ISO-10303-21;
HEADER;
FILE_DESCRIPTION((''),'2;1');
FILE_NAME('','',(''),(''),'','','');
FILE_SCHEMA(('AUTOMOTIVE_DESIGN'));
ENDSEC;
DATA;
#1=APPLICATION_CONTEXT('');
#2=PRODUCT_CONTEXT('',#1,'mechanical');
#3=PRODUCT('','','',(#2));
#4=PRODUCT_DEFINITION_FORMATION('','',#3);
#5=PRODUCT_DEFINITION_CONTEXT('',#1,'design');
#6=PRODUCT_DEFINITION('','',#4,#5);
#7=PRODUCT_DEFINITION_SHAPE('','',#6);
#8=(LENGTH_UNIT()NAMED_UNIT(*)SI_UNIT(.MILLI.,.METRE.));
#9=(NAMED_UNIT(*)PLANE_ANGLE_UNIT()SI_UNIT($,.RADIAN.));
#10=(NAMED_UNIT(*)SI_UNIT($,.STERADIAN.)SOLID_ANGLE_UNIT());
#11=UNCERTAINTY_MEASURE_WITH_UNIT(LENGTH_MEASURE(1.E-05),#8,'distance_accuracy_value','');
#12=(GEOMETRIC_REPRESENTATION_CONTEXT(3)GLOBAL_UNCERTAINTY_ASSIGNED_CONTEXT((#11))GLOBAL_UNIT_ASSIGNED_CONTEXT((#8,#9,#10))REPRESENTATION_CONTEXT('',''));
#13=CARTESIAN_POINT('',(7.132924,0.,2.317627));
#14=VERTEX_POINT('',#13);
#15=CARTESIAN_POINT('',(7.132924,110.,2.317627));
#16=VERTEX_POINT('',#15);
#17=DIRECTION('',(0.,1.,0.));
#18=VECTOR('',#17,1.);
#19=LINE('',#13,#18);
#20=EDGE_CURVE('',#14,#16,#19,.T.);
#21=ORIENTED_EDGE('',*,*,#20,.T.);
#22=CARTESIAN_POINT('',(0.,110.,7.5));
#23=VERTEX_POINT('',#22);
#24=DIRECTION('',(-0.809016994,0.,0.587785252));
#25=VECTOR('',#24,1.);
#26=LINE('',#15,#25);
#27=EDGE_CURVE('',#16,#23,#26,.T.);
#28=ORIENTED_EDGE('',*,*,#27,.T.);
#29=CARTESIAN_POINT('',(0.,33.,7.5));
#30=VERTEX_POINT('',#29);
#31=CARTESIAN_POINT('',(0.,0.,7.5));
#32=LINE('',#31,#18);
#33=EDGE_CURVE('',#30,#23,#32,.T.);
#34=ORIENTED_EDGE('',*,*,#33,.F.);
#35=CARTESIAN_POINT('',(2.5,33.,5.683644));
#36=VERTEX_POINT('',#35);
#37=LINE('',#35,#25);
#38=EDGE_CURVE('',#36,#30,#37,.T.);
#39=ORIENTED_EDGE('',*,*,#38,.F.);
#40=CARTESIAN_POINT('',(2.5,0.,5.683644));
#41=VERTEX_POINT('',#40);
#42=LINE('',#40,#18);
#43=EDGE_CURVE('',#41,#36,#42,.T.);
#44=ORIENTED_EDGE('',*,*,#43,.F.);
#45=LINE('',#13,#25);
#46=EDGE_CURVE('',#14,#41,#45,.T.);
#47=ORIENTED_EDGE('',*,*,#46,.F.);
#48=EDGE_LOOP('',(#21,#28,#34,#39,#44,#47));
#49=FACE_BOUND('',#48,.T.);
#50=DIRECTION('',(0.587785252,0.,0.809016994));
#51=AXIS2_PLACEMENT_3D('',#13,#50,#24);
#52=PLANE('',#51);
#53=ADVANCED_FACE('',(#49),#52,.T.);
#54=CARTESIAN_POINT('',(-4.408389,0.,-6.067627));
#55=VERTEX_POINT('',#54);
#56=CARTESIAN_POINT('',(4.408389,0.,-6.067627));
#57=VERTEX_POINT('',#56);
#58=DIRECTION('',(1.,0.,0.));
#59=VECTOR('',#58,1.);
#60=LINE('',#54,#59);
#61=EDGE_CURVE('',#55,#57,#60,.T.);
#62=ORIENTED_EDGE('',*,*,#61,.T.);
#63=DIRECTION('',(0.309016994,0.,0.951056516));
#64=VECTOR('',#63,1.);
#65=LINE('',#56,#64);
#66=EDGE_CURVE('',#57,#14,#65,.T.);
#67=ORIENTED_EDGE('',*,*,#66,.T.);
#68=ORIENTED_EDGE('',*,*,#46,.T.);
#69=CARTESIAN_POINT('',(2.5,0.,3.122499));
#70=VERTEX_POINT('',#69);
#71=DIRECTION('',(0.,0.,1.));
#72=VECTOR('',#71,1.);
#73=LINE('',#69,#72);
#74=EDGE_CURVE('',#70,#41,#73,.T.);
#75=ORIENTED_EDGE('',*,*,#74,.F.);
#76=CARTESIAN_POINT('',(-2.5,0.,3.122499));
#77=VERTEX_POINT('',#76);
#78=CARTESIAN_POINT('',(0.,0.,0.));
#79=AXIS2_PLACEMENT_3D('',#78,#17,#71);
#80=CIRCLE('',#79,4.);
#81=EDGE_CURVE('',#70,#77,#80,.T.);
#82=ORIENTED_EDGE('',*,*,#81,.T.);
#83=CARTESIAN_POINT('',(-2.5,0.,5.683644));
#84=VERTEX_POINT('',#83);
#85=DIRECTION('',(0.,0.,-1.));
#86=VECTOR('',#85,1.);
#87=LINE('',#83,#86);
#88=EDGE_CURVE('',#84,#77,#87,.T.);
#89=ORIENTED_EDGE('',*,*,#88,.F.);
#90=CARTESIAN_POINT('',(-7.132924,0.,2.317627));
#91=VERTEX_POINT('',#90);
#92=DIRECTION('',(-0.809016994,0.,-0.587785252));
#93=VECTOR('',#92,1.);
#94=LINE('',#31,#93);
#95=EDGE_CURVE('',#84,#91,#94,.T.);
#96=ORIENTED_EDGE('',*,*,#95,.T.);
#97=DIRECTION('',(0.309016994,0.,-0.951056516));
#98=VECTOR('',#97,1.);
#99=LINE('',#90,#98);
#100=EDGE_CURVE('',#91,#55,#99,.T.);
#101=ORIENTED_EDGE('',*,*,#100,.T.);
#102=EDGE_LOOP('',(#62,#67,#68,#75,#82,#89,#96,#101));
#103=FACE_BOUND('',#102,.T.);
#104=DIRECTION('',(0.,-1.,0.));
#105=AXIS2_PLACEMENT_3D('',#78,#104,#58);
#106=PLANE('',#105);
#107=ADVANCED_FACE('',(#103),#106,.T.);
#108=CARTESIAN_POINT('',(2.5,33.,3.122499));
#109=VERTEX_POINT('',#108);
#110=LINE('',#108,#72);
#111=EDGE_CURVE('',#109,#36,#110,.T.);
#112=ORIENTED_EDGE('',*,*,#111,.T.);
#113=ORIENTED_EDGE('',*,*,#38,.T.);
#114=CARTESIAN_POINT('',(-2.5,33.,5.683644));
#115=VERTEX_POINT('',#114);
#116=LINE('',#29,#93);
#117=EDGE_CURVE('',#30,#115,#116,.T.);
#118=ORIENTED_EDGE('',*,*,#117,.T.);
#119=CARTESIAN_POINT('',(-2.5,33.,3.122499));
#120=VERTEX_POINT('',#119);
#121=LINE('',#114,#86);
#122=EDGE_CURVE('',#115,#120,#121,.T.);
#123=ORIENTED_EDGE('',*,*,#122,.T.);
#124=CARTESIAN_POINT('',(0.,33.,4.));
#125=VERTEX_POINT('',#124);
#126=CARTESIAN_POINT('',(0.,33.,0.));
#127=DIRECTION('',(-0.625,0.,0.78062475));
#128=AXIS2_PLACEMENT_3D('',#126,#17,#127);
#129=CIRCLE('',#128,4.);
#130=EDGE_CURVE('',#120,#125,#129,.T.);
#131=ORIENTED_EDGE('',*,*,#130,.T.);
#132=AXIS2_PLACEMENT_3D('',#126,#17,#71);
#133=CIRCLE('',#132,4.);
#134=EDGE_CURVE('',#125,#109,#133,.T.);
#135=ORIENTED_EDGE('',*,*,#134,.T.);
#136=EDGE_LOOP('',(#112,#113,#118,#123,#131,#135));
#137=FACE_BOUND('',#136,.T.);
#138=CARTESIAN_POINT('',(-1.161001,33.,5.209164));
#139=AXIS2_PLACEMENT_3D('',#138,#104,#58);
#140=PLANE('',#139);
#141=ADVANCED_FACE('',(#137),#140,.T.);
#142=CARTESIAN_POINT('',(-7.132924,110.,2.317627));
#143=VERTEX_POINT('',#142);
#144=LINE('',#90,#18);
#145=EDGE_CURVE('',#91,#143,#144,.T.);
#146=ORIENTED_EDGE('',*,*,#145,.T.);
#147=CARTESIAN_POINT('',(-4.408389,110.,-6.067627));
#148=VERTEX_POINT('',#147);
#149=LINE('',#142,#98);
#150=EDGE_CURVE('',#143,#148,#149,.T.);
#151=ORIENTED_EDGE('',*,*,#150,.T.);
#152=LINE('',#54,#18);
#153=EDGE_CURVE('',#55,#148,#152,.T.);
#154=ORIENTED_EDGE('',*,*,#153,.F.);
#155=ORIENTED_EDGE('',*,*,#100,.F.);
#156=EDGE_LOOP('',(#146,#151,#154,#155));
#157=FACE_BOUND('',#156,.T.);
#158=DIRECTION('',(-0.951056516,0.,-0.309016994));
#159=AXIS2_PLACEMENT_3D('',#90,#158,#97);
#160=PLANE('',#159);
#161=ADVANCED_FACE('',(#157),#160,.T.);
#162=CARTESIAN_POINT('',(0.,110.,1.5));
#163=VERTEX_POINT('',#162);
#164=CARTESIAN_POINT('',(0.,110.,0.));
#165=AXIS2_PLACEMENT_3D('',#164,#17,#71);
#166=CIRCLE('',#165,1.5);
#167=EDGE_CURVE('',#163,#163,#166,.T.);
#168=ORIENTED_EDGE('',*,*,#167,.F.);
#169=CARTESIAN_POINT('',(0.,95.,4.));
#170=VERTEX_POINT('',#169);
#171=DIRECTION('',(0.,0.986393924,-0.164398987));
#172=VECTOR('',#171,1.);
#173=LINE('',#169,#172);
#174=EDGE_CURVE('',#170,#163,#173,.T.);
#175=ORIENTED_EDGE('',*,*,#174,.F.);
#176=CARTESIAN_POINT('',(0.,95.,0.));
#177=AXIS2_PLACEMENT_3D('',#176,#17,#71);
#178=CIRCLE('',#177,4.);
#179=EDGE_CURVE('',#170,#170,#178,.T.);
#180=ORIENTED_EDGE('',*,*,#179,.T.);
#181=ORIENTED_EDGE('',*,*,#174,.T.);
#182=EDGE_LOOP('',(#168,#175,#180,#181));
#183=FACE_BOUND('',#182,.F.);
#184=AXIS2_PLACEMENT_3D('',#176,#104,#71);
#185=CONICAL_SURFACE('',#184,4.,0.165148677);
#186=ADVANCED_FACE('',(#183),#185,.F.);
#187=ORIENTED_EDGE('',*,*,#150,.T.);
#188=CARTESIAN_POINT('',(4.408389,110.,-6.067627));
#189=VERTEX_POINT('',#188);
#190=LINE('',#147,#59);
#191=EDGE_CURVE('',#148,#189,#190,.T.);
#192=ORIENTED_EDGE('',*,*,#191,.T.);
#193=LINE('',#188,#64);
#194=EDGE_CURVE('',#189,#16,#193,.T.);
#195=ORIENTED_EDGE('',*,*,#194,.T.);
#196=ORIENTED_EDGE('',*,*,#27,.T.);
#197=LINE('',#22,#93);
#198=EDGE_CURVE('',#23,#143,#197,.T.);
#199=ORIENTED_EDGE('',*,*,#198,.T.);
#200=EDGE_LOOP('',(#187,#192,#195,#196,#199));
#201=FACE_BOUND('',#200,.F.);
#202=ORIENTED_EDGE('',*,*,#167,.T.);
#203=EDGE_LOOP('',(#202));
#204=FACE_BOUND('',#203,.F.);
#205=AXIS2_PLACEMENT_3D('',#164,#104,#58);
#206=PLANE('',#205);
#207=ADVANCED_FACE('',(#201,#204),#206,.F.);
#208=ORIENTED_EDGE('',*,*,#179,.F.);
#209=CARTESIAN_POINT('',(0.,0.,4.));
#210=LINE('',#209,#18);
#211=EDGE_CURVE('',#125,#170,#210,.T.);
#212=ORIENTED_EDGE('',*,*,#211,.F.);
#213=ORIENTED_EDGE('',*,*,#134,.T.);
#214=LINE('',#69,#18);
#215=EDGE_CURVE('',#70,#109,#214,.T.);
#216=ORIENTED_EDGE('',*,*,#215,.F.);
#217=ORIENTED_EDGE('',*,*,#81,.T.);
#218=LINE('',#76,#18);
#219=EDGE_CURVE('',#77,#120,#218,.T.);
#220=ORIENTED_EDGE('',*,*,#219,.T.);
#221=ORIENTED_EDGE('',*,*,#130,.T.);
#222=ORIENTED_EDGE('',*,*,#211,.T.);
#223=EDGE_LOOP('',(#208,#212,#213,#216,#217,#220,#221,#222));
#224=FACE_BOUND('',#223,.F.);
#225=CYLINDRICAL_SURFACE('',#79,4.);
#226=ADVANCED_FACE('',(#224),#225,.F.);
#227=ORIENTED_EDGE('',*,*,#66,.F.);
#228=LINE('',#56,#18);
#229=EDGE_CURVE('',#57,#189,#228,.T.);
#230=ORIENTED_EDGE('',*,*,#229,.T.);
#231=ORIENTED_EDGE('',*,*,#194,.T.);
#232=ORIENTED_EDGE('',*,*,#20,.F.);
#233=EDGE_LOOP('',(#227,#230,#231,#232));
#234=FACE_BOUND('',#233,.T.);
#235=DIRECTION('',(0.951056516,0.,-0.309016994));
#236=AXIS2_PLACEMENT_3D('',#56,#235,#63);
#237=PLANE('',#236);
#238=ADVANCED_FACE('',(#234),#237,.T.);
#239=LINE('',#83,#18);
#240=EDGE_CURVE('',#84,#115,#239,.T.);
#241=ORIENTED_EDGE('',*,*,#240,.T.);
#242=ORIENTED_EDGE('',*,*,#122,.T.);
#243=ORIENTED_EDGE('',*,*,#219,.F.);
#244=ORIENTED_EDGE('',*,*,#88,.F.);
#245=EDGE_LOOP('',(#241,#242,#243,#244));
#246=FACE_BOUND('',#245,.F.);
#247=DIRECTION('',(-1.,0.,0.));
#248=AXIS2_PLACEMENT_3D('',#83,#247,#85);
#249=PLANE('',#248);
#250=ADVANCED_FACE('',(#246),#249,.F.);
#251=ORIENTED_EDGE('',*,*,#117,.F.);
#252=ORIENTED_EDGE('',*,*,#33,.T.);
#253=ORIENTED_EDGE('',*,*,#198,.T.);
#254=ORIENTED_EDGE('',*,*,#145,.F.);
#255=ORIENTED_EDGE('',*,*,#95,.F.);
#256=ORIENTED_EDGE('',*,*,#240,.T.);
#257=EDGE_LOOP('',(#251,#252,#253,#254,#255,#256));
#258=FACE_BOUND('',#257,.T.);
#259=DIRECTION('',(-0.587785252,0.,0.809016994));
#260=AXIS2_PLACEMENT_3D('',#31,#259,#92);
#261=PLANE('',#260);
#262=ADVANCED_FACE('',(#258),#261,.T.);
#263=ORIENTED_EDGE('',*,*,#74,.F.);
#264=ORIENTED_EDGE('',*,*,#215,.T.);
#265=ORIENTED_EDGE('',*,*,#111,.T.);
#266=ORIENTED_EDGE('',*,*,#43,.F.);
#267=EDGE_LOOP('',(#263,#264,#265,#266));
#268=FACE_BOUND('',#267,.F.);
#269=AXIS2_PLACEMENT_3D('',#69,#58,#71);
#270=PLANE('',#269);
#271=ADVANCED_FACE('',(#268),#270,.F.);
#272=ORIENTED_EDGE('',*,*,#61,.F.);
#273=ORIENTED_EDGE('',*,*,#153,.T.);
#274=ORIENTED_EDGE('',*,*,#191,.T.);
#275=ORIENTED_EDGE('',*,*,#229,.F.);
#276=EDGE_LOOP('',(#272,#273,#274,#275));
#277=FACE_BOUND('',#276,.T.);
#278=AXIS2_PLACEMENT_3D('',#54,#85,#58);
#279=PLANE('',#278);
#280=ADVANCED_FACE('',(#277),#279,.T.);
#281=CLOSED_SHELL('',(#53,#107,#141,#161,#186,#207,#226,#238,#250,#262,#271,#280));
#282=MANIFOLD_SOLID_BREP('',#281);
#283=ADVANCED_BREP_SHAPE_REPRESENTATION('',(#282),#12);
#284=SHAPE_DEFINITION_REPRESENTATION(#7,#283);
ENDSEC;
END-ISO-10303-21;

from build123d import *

# Parameters (mm, degrees)
F0_R     = 5
F3_DEPTH = 110
F5_DEPTH = 33


with BuildPart() as f2:
    # F1 (on Right) → F2 (revolve)
    with BuildSketch(Plane.YZ):
        Polygon((0, 5.5), (0, 4), (95, 4), (110, 1.5), (110, 5.5), (95, 5.5), align=None)
    revolve(axis=Axis((0, 47.5, 0), (0, 1, 0)))

    # F0 (on Front) → F3 (join)
    with BuildSketch(Plane.XZ):
        Polygon((4.4083893922, -6.0676274578), (7.1329238722, 2.3176274578), (0, 7.5), (-7.1329238722, 2.3176274578), (-4.4083893922, -6.0676274578), align=None)
        Circle(F0_R, mode=Mode.SUBTRACT)
    extrude(amount=-F3_DEPTH)

    # F4 (on face) → F5 (cut)
    with BuildSketch(Plane.XZ):
        with BuildLine():
            Line((-2.5, 5.68364368), (-2.5, 3.1224989992))
            ThreePointArc((-2.5, 3.1224989992), (-1.3247648854, 3.7742546282), (0, 4))
            Line((0, 4), (0, 7.5))
            Line((0, 7.5), (-2.5, 5.68364368))
        make_face()
        with BuildLine():
            ThreePointArc((0, 4), (1.3247648854, 3.7742546282), (2.5, 3.1224989992))
            Line((2.5, 3.1224989992), (2.5, 5.68364368))
            Line((2.5, 5.68364368), (0, 7.5))
            Line((0, 7.5), (0, 4))
        make_face()
    extrude(amount=-F5_DEPTH, mode=Mode.SUBTRACT)


solid = f2.part
